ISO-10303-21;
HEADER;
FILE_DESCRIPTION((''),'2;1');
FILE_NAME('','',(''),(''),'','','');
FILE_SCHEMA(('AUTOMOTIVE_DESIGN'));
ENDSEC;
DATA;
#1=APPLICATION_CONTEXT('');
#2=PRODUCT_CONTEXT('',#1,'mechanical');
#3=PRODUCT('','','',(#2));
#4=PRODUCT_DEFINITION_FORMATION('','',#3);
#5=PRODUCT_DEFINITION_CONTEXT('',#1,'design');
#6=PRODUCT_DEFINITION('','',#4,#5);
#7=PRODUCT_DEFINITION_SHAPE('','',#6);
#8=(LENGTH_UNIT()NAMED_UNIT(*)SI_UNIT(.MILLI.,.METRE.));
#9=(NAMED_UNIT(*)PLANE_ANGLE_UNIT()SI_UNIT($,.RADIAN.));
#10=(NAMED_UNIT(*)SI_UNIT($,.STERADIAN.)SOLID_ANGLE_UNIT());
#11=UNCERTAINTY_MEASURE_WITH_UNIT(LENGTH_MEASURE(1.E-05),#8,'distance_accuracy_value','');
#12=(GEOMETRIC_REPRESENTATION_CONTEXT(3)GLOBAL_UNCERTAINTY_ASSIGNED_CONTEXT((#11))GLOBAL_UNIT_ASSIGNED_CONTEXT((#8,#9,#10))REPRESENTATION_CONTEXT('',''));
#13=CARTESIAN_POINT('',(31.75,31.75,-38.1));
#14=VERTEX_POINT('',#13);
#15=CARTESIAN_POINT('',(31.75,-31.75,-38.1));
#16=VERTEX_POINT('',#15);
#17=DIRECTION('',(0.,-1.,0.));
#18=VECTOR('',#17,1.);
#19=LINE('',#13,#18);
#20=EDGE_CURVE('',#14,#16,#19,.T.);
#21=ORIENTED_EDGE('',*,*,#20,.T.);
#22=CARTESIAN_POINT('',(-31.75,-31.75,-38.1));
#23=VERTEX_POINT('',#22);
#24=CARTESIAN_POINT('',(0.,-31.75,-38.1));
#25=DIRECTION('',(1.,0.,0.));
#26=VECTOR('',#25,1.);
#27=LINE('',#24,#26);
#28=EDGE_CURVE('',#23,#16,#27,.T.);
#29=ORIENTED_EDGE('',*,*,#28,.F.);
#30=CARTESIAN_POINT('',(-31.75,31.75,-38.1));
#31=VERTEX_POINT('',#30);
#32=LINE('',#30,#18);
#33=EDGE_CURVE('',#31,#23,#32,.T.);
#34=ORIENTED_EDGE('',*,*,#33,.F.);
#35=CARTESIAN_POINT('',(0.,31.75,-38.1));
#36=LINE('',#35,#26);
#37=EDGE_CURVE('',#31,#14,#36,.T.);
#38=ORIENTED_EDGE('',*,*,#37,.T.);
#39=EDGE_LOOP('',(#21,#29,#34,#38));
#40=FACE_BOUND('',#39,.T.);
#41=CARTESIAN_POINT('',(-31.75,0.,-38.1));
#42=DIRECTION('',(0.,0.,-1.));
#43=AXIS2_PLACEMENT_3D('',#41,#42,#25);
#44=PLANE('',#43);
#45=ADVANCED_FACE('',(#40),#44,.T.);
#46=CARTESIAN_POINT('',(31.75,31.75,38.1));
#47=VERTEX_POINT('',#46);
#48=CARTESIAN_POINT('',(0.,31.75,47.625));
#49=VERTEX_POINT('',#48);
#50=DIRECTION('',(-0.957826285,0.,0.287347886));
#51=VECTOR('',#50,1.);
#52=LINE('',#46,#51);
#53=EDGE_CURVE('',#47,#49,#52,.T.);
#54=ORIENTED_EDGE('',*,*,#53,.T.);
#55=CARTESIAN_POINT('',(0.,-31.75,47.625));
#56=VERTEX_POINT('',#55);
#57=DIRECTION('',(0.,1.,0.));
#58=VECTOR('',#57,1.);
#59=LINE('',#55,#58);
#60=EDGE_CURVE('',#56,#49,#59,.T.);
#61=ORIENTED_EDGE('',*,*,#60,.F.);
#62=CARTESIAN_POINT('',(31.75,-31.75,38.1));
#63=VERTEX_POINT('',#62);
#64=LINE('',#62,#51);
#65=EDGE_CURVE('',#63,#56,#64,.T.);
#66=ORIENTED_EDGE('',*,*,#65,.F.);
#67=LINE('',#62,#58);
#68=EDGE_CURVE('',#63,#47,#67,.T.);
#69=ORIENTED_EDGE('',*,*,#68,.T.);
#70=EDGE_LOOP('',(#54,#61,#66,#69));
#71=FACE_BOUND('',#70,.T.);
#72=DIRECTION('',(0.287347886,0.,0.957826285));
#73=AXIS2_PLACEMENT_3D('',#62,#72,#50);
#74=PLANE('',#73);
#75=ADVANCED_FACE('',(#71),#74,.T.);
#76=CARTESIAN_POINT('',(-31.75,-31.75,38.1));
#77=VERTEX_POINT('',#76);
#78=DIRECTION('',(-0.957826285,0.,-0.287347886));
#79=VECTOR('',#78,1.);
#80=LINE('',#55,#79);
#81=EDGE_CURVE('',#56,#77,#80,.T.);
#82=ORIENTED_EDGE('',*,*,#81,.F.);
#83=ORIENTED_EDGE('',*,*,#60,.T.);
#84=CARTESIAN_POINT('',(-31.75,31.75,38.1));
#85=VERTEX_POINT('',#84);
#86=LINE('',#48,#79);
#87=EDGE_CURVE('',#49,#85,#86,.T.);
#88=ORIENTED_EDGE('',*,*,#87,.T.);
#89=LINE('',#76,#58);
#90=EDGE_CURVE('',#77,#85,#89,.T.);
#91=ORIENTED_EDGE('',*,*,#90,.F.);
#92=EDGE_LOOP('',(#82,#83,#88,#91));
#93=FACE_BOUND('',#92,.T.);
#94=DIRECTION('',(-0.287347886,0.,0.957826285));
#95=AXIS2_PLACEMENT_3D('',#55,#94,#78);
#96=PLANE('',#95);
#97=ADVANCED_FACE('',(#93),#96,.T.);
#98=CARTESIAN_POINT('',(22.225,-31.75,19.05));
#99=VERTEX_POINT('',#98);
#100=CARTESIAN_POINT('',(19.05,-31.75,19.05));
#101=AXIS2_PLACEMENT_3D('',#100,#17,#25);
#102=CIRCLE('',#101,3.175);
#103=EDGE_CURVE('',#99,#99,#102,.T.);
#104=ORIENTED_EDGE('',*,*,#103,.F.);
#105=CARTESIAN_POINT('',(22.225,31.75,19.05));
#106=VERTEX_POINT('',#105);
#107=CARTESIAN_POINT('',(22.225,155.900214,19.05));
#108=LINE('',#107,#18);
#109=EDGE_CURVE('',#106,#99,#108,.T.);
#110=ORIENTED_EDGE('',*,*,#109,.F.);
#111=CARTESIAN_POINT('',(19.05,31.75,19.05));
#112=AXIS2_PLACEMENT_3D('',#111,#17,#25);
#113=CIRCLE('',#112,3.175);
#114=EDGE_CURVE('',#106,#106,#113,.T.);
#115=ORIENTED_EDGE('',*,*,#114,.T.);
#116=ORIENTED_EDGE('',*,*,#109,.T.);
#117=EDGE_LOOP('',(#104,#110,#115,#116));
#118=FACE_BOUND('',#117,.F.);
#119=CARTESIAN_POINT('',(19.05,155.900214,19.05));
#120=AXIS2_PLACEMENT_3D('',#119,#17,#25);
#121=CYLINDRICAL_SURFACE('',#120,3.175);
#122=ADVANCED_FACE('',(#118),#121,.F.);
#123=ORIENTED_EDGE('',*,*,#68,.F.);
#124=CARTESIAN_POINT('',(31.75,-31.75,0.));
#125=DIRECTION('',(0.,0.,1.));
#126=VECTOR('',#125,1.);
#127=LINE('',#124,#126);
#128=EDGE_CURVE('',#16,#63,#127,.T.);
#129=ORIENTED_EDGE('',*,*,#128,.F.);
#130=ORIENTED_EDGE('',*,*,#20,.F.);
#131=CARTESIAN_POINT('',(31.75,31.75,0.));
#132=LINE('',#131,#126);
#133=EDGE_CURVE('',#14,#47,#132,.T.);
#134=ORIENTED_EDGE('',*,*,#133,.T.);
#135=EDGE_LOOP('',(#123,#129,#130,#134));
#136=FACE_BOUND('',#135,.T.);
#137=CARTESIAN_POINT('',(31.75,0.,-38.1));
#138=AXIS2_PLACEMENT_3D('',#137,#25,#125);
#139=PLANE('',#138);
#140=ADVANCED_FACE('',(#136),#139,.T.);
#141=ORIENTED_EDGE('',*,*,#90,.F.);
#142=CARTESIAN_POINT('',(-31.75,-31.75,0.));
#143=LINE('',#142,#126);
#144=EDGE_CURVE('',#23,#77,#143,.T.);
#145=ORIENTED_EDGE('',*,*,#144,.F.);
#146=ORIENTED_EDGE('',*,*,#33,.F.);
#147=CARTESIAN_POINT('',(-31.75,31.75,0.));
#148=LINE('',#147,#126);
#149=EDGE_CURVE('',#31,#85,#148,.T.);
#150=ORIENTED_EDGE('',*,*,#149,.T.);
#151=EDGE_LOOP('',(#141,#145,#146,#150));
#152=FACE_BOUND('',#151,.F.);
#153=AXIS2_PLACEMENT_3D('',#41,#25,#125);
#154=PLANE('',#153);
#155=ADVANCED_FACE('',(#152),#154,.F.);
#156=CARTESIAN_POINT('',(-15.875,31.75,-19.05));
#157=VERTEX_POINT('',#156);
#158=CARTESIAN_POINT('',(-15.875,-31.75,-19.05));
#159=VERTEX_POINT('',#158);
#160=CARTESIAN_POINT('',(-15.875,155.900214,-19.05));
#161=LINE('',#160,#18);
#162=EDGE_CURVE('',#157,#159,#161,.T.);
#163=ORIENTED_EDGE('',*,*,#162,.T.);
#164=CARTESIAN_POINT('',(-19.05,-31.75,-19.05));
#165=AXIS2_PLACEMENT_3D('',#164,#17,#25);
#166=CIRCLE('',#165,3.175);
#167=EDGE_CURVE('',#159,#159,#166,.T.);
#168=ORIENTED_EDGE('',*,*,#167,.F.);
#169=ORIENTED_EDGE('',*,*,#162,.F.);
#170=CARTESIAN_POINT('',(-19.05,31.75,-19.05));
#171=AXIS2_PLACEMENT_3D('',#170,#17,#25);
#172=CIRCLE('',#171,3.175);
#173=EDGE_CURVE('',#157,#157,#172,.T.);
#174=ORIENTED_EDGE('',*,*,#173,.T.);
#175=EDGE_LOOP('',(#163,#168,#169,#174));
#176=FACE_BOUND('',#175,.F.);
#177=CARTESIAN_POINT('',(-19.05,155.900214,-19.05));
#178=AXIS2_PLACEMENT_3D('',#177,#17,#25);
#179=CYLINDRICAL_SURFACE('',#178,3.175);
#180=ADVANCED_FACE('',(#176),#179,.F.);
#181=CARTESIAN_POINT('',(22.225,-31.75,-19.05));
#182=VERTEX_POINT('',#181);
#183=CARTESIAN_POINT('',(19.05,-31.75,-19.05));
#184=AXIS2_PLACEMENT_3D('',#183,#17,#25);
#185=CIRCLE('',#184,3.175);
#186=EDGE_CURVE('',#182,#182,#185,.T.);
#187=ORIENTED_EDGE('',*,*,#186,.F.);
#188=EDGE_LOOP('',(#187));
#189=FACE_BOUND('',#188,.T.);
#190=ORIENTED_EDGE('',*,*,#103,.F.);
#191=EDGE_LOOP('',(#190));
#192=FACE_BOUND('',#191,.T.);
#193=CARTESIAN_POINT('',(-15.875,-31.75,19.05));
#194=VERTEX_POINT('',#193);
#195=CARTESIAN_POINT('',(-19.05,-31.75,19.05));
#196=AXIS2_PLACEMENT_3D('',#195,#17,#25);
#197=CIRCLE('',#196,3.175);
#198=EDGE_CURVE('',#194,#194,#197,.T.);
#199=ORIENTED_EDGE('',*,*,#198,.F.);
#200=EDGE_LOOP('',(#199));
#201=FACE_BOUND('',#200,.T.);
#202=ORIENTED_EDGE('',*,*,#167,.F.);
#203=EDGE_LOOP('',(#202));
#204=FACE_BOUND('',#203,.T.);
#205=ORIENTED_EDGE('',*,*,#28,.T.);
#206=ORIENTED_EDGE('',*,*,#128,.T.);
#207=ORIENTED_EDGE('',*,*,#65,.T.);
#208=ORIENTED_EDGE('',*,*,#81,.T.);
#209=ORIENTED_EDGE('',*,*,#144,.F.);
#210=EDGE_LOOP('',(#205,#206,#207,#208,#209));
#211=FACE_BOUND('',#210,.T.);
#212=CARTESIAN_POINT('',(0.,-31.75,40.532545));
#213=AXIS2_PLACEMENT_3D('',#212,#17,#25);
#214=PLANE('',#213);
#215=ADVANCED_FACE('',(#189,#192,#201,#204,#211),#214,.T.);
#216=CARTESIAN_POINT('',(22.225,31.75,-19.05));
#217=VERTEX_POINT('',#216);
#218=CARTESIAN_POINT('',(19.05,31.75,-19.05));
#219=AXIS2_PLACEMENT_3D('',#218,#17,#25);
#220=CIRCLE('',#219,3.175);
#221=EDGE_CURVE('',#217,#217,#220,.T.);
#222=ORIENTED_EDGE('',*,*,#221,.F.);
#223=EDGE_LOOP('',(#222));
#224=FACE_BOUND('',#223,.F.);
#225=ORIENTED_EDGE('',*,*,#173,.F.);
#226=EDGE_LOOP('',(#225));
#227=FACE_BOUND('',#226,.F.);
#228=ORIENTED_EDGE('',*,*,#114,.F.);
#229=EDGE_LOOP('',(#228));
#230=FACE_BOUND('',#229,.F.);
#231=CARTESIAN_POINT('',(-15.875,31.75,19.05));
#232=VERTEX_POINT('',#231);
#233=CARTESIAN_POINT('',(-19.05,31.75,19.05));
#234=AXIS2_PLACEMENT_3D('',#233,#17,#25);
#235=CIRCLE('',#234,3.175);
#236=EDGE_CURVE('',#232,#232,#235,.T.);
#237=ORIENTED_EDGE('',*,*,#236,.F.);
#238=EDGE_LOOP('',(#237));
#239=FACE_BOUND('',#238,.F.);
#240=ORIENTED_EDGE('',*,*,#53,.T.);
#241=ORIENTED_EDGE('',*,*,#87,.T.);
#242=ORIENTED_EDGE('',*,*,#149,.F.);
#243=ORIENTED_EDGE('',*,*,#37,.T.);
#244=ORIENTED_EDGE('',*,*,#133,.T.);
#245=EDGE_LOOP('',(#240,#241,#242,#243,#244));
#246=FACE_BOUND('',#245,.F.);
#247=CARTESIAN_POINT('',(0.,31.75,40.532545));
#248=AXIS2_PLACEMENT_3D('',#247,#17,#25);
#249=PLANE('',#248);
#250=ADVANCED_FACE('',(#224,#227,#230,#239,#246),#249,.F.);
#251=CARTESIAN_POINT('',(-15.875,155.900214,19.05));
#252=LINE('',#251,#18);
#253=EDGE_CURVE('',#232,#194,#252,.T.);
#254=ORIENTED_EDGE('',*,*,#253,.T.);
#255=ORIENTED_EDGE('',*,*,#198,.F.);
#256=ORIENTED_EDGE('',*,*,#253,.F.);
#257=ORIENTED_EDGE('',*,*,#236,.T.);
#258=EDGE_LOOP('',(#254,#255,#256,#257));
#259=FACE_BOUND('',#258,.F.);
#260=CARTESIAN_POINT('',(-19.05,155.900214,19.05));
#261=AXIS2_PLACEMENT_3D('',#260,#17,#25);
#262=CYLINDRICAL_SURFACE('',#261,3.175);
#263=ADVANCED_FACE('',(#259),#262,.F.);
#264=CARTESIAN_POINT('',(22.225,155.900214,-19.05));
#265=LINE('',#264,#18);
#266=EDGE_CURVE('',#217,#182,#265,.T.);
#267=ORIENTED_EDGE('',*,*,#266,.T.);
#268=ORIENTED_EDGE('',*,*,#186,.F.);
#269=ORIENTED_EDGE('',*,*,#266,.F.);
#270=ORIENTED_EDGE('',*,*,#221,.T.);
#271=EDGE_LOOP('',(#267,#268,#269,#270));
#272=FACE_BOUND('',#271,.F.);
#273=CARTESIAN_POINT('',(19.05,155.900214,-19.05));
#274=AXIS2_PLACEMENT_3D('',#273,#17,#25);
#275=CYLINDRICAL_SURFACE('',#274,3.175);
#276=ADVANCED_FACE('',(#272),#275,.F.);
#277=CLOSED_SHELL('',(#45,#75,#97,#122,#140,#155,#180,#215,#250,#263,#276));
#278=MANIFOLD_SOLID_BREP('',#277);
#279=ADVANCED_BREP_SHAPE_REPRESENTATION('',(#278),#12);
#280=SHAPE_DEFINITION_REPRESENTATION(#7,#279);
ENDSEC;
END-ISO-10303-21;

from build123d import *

# Parameters (mm, degrees)
F0_W     = 63.5
F0_H     = 76.2
F1_DEPTH = 31.75
F3_DEPTH = 63.5
F5_D     = 6.35


with BuildPart() as f1:
    # F0 (on Front) → F1 (new body, symmetric)
    with BuildSketch(Plane.XZ):
        Rectangle(F0_W, F0_H)
    extrude(amount=F1_DEPTH, both=True)

    # F2 (on face) → F3 (join, through all)
    with BuildSketch(Plane.XZ.offset(31.75)):
        Polygon((0, 47.625), (-31.75, 38.1), (31.75, 38.1), align=None)
    extrude(amount=-F3_DEPTH)

    # F5 (through all)
    with Locations(Plane(origin=(0, 31.75, 0), x_dir=(-1, 0, 0), z_dir=(0, 1, 0))):
        with Locations((-19.05, 19.05), (19.05, 19.05), (-19.05, -19.05), (19.05, -19.05)):
            Hole(F5_D / 2)


solid = f1.part
